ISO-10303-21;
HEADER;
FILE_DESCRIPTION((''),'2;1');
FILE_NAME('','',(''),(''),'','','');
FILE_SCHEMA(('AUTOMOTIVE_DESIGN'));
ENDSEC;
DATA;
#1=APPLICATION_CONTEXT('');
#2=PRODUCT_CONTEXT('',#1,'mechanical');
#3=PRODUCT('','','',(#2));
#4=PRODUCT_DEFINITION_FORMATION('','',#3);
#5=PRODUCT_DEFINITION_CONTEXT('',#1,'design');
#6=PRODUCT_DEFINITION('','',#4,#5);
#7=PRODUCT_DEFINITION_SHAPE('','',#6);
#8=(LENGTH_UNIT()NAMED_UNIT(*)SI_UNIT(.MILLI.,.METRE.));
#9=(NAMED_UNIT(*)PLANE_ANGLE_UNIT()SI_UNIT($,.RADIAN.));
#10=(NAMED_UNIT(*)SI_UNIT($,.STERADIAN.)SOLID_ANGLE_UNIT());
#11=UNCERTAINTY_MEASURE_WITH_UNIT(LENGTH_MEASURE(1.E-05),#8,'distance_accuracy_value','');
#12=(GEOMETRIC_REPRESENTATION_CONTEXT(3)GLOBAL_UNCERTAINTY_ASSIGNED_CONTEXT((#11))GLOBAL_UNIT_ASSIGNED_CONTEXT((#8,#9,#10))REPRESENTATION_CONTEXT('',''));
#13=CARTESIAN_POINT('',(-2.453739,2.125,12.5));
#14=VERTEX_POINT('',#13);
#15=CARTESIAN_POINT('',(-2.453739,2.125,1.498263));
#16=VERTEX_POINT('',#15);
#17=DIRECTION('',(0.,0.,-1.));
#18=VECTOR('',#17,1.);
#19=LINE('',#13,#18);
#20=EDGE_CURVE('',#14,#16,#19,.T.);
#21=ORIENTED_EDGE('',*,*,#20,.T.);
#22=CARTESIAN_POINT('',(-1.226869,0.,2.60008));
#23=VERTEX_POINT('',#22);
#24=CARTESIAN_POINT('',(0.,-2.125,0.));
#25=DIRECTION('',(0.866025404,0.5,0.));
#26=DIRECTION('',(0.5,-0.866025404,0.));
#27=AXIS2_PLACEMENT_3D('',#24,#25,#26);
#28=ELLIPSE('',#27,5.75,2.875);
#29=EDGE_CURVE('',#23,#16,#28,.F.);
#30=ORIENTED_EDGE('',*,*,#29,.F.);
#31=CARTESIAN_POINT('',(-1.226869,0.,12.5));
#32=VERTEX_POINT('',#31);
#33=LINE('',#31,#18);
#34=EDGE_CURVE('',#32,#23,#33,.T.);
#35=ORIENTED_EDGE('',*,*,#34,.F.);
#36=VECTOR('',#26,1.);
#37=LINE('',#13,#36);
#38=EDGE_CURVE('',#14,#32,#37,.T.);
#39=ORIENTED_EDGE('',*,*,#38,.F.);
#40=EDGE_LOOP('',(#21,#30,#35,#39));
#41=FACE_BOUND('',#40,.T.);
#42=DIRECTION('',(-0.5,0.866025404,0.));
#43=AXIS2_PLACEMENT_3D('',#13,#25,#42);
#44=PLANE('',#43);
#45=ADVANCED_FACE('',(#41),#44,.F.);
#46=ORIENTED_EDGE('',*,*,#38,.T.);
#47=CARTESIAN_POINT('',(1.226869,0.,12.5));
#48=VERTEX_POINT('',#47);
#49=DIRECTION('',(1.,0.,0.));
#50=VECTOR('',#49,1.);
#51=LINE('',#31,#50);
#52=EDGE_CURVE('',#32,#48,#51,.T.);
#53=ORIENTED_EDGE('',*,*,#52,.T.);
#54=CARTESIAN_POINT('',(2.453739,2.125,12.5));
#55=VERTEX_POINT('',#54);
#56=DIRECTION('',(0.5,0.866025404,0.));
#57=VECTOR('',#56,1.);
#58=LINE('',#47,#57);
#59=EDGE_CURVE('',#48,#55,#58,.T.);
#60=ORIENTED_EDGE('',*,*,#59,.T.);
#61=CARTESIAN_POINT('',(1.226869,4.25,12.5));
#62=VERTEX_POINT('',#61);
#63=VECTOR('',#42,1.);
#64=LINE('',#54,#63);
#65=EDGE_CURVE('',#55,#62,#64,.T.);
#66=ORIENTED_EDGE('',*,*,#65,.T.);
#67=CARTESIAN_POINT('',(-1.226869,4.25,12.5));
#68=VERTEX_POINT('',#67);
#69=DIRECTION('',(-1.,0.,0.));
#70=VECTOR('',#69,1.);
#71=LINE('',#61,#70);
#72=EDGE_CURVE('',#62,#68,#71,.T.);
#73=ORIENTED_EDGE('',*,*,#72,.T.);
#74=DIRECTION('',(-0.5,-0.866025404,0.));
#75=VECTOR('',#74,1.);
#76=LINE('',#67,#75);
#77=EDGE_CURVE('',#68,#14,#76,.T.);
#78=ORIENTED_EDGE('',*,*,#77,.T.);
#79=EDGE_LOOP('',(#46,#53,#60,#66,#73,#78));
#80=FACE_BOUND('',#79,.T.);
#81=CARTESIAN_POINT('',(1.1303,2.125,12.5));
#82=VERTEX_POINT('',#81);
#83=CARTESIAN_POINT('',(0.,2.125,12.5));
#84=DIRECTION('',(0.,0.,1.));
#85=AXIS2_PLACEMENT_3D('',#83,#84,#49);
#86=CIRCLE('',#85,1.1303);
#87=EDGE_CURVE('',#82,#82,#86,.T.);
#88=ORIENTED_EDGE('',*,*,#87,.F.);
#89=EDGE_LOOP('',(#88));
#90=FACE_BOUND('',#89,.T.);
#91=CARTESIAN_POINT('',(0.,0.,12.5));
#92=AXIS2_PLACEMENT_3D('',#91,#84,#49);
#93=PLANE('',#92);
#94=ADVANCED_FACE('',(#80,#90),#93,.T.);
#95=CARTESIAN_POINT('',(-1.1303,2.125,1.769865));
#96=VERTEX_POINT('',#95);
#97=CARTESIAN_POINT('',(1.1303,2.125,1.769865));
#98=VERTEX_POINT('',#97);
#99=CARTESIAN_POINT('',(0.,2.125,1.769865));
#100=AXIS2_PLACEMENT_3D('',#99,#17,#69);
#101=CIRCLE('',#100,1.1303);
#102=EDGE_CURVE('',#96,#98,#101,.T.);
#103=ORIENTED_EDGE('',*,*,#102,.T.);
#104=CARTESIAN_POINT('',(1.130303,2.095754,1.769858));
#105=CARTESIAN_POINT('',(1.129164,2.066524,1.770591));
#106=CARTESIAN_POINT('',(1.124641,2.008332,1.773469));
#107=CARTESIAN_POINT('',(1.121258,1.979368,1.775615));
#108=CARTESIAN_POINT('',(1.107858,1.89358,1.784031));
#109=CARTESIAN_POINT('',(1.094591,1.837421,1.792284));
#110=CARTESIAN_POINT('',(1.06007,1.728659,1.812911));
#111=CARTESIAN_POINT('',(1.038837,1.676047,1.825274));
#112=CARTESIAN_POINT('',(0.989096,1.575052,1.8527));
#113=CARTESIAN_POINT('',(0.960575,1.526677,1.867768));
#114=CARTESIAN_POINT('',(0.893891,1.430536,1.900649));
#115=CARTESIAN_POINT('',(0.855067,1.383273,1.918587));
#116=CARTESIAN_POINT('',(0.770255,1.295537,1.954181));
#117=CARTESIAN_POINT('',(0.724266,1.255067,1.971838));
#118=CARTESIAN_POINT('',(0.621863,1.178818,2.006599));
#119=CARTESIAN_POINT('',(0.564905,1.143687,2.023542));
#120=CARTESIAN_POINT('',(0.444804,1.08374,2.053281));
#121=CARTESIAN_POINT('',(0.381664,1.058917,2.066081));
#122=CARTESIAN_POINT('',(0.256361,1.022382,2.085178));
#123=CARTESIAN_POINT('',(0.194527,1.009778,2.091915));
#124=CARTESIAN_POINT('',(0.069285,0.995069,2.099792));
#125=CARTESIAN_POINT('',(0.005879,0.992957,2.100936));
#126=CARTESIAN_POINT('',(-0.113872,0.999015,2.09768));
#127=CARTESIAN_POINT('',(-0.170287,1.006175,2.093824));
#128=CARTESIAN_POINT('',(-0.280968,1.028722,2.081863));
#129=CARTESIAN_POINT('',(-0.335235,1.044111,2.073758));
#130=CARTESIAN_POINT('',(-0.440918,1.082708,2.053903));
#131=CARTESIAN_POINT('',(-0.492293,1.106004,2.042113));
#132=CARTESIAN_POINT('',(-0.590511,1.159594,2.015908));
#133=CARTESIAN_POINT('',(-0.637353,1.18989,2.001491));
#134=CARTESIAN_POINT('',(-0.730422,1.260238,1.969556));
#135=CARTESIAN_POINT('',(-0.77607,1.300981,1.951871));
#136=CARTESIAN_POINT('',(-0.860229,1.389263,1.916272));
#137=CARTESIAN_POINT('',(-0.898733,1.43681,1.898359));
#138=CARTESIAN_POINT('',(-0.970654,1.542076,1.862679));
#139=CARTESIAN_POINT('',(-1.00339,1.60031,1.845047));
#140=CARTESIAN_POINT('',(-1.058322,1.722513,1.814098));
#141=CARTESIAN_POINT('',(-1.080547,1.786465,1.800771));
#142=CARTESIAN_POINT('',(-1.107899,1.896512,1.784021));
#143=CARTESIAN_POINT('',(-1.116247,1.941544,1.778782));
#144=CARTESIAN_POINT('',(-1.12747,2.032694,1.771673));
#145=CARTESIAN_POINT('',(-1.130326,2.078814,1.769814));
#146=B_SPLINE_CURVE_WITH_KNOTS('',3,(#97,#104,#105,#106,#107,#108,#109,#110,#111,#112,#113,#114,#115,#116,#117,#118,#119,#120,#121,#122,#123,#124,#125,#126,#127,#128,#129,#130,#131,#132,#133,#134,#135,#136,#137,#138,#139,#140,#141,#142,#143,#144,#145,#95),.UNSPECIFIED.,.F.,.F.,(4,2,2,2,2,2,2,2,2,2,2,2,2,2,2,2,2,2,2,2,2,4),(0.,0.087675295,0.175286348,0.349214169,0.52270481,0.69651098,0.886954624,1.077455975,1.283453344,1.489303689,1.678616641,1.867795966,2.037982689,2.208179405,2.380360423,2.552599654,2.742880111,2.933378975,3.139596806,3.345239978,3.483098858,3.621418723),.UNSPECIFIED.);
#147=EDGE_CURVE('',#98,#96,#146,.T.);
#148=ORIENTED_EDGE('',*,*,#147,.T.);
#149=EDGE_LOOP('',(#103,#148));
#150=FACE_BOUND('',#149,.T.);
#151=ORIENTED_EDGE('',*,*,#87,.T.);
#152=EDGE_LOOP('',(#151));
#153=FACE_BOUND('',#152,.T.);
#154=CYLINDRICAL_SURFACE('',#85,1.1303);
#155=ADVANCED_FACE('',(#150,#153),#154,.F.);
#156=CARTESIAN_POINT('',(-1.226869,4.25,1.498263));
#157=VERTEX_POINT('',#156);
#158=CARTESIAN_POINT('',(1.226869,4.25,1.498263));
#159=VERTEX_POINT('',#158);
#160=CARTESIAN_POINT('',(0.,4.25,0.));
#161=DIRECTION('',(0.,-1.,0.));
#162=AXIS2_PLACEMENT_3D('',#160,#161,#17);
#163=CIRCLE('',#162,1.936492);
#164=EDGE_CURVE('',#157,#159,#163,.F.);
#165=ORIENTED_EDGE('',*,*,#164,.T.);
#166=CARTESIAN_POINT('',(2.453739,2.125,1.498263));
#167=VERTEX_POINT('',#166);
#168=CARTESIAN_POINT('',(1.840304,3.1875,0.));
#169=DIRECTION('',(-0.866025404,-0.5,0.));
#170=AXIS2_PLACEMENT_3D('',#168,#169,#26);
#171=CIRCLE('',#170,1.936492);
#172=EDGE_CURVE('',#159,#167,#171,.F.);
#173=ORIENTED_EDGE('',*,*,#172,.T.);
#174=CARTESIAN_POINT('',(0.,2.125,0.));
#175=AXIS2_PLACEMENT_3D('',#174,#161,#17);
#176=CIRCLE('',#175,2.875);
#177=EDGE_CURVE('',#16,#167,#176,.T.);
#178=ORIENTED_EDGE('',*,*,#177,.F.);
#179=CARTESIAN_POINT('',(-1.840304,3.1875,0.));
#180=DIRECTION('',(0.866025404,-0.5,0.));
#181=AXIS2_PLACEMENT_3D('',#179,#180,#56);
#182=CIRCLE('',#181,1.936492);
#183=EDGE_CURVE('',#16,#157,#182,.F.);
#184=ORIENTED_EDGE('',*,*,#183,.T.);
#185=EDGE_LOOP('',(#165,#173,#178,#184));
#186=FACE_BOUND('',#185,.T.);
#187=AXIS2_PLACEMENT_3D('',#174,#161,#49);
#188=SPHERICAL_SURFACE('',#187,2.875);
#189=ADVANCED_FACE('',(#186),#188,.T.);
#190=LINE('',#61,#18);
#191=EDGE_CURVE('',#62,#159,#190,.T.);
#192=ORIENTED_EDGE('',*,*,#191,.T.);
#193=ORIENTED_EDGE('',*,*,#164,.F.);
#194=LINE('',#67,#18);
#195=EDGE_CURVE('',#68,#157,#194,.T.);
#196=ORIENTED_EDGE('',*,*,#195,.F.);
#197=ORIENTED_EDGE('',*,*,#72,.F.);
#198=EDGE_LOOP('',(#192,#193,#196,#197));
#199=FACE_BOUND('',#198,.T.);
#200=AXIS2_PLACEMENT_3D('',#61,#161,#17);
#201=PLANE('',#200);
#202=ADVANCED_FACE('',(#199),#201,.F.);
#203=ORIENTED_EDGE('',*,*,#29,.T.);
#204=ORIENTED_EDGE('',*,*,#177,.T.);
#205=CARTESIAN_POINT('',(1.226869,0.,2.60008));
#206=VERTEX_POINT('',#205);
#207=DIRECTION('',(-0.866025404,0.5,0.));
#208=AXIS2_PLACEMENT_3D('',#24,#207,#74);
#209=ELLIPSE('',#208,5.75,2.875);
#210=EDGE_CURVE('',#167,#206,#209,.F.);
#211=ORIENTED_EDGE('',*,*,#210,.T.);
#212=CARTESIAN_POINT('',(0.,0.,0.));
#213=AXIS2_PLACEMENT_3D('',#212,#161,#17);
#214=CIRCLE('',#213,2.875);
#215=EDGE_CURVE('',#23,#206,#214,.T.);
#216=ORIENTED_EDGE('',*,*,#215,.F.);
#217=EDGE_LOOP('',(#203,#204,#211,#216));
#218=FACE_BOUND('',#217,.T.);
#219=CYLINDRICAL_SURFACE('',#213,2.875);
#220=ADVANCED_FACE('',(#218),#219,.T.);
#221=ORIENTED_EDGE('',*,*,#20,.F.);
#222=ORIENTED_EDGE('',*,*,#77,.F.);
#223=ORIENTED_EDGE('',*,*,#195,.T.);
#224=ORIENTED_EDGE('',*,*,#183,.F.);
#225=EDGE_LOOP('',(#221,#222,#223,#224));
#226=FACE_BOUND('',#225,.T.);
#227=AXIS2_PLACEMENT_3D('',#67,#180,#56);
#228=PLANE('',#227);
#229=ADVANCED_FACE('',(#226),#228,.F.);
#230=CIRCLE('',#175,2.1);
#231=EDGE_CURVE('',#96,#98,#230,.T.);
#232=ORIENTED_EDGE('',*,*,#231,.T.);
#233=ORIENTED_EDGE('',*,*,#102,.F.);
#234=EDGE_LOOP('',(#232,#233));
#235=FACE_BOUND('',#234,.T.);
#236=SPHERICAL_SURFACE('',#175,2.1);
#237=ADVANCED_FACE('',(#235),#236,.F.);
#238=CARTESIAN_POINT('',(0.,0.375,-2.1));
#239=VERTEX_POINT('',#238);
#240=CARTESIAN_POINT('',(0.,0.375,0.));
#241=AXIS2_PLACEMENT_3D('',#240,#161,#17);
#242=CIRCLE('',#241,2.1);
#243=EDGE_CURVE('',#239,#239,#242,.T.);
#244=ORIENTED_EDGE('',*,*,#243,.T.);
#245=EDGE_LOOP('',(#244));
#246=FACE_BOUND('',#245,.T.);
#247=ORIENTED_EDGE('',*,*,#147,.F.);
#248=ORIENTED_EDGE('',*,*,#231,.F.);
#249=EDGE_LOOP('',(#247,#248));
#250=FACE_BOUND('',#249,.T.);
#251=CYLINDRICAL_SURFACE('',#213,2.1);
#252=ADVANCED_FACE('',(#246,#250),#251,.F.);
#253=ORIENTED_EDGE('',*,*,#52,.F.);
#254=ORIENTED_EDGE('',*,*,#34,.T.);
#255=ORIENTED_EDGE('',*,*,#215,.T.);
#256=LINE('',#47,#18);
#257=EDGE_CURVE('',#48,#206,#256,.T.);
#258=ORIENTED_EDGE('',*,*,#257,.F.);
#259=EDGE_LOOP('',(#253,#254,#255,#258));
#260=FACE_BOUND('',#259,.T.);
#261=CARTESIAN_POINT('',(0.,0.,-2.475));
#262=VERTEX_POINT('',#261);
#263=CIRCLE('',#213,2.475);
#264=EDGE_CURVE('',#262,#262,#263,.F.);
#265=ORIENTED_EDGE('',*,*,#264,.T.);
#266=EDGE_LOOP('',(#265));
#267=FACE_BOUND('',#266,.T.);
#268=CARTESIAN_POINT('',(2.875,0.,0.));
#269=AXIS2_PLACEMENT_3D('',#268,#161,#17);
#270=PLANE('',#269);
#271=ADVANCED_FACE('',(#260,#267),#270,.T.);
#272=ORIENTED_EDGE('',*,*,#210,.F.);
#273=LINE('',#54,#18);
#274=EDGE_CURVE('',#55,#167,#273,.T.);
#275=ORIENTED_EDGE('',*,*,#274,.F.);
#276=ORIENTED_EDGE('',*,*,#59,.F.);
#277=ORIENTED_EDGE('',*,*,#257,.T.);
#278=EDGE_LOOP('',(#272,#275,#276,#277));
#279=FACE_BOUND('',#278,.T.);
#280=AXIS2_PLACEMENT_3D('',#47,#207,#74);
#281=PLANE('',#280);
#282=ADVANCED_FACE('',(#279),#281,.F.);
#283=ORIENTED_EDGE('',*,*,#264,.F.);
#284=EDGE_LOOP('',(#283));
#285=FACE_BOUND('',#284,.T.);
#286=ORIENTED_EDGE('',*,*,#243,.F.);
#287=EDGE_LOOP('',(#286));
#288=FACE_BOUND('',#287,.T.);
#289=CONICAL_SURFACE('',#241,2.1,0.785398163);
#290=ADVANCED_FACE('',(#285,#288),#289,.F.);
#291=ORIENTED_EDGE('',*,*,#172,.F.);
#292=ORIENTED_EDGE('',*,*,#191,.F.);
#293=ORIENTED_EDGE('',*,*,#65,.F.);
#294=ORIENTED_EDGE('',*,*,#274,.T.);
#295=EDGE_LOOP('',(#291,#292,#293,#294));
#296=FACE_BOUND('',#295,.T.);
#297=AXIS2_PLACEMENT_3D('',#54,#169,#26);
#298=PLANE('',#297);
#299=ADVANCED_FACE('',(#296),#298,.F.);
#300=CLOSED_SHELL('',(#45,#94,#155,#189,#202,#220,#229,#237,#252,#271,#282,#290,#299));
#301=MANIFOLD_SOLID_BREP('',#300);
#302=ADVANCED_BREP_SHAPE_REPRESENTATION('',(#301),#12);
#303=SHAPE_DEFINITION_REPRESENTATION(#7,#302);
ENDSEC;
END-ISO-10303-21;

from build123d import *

# Parameters (mm, degrees)
BOSS_EXTRUDE1_DEPTH       = 12.5
F_4_40_TAPPED_HOLE1_D     = 2.2606
F_4_40_TAPPED_HOLE1_DEPTH = 12
F_4_40_TAPPED_HOLE1_TIP   = 0.679152758
CHAMFER1_SIZE             = 0.375


with BuildPart() as part:
    # Sketch1 → Revolve1 (revolve)
    with BuildSketch(Plane.XY):
        with BuildLine():
            Line((2.875, 2.125), (2.875, 0))
            Line((2.875, 0), (0, 0))
            Line((0, 0), (0, 5))
            ThreePointArc((0, 5), (2.032931996, 4.157931996), (2.875, 2.125))
        make_face()
    revolve(axis=Axis((0, 0, 0), (0, 1, 0)))

    # Sketch2 → Boss-Extrude1 (add)
    with BuildSketch(Plane.XY):
        Polygon((-1.226869322, 0), (1.226869322, 0), (2.453738644, 2.125), (1.226869322, 4.25), (-1.226869322, 4.25), (-2.453738644, 2.125), align=None)
    extrude(amount=BOSS_EXTRUDE1_DEPTH)

    # #4-40 Tapped Hole1
    with Locations(Plane.XY.offset(12.5)):
        with Locations((0, 2.125)):
            Hole(F_4_40_TAPPED_HOLE1_D / 2, depth=F_4_40_TAPPED_HOLE1_DEPTH)
            with Locations((0, 0, -(F_4_40_TAPPED_HOLE1_DEPTH + F_4_40_TAPPED_HOLE1_TIP / 2))):  # 118° drill point
                Cone(0, F_4_40_TAPPED_HOLE1_D / 2, F_4_40_TAPPED_HOLE1_TIP, mode=Mode.SUBTRACT)

    # Sketch5 → Cut-Revolve1 (revolve, cut)
    with BuildSketch(Plane(origin=(0, 0, 0), x_dir=(0, 0, -1), z_dir=(1, 0, 0))):
        with BuildLine():
            Line((2.1, 2.125), (2.1, 0))
            Line((2.1, 0), (0, 0))
            Line((0, 0), (0, 4.225))
            ThreePointArc((0, 4.225), (1.48492424, 3.60992424), (2.1, 2.125))
        make_face()
    revolve(axis=Axis((0, 0, 0), (0, 1, 0)), mode=Mode.SUBTRACT)

    # Chamfer1
    chamfer1_edges = [part.edges().sort_by_distance(p)[0] for p in [
        (0, 0, 2.1),
    ]]
    chamfer(chamfer1_edges, length=CHAMFER1_SIZE)


solid = part.part
